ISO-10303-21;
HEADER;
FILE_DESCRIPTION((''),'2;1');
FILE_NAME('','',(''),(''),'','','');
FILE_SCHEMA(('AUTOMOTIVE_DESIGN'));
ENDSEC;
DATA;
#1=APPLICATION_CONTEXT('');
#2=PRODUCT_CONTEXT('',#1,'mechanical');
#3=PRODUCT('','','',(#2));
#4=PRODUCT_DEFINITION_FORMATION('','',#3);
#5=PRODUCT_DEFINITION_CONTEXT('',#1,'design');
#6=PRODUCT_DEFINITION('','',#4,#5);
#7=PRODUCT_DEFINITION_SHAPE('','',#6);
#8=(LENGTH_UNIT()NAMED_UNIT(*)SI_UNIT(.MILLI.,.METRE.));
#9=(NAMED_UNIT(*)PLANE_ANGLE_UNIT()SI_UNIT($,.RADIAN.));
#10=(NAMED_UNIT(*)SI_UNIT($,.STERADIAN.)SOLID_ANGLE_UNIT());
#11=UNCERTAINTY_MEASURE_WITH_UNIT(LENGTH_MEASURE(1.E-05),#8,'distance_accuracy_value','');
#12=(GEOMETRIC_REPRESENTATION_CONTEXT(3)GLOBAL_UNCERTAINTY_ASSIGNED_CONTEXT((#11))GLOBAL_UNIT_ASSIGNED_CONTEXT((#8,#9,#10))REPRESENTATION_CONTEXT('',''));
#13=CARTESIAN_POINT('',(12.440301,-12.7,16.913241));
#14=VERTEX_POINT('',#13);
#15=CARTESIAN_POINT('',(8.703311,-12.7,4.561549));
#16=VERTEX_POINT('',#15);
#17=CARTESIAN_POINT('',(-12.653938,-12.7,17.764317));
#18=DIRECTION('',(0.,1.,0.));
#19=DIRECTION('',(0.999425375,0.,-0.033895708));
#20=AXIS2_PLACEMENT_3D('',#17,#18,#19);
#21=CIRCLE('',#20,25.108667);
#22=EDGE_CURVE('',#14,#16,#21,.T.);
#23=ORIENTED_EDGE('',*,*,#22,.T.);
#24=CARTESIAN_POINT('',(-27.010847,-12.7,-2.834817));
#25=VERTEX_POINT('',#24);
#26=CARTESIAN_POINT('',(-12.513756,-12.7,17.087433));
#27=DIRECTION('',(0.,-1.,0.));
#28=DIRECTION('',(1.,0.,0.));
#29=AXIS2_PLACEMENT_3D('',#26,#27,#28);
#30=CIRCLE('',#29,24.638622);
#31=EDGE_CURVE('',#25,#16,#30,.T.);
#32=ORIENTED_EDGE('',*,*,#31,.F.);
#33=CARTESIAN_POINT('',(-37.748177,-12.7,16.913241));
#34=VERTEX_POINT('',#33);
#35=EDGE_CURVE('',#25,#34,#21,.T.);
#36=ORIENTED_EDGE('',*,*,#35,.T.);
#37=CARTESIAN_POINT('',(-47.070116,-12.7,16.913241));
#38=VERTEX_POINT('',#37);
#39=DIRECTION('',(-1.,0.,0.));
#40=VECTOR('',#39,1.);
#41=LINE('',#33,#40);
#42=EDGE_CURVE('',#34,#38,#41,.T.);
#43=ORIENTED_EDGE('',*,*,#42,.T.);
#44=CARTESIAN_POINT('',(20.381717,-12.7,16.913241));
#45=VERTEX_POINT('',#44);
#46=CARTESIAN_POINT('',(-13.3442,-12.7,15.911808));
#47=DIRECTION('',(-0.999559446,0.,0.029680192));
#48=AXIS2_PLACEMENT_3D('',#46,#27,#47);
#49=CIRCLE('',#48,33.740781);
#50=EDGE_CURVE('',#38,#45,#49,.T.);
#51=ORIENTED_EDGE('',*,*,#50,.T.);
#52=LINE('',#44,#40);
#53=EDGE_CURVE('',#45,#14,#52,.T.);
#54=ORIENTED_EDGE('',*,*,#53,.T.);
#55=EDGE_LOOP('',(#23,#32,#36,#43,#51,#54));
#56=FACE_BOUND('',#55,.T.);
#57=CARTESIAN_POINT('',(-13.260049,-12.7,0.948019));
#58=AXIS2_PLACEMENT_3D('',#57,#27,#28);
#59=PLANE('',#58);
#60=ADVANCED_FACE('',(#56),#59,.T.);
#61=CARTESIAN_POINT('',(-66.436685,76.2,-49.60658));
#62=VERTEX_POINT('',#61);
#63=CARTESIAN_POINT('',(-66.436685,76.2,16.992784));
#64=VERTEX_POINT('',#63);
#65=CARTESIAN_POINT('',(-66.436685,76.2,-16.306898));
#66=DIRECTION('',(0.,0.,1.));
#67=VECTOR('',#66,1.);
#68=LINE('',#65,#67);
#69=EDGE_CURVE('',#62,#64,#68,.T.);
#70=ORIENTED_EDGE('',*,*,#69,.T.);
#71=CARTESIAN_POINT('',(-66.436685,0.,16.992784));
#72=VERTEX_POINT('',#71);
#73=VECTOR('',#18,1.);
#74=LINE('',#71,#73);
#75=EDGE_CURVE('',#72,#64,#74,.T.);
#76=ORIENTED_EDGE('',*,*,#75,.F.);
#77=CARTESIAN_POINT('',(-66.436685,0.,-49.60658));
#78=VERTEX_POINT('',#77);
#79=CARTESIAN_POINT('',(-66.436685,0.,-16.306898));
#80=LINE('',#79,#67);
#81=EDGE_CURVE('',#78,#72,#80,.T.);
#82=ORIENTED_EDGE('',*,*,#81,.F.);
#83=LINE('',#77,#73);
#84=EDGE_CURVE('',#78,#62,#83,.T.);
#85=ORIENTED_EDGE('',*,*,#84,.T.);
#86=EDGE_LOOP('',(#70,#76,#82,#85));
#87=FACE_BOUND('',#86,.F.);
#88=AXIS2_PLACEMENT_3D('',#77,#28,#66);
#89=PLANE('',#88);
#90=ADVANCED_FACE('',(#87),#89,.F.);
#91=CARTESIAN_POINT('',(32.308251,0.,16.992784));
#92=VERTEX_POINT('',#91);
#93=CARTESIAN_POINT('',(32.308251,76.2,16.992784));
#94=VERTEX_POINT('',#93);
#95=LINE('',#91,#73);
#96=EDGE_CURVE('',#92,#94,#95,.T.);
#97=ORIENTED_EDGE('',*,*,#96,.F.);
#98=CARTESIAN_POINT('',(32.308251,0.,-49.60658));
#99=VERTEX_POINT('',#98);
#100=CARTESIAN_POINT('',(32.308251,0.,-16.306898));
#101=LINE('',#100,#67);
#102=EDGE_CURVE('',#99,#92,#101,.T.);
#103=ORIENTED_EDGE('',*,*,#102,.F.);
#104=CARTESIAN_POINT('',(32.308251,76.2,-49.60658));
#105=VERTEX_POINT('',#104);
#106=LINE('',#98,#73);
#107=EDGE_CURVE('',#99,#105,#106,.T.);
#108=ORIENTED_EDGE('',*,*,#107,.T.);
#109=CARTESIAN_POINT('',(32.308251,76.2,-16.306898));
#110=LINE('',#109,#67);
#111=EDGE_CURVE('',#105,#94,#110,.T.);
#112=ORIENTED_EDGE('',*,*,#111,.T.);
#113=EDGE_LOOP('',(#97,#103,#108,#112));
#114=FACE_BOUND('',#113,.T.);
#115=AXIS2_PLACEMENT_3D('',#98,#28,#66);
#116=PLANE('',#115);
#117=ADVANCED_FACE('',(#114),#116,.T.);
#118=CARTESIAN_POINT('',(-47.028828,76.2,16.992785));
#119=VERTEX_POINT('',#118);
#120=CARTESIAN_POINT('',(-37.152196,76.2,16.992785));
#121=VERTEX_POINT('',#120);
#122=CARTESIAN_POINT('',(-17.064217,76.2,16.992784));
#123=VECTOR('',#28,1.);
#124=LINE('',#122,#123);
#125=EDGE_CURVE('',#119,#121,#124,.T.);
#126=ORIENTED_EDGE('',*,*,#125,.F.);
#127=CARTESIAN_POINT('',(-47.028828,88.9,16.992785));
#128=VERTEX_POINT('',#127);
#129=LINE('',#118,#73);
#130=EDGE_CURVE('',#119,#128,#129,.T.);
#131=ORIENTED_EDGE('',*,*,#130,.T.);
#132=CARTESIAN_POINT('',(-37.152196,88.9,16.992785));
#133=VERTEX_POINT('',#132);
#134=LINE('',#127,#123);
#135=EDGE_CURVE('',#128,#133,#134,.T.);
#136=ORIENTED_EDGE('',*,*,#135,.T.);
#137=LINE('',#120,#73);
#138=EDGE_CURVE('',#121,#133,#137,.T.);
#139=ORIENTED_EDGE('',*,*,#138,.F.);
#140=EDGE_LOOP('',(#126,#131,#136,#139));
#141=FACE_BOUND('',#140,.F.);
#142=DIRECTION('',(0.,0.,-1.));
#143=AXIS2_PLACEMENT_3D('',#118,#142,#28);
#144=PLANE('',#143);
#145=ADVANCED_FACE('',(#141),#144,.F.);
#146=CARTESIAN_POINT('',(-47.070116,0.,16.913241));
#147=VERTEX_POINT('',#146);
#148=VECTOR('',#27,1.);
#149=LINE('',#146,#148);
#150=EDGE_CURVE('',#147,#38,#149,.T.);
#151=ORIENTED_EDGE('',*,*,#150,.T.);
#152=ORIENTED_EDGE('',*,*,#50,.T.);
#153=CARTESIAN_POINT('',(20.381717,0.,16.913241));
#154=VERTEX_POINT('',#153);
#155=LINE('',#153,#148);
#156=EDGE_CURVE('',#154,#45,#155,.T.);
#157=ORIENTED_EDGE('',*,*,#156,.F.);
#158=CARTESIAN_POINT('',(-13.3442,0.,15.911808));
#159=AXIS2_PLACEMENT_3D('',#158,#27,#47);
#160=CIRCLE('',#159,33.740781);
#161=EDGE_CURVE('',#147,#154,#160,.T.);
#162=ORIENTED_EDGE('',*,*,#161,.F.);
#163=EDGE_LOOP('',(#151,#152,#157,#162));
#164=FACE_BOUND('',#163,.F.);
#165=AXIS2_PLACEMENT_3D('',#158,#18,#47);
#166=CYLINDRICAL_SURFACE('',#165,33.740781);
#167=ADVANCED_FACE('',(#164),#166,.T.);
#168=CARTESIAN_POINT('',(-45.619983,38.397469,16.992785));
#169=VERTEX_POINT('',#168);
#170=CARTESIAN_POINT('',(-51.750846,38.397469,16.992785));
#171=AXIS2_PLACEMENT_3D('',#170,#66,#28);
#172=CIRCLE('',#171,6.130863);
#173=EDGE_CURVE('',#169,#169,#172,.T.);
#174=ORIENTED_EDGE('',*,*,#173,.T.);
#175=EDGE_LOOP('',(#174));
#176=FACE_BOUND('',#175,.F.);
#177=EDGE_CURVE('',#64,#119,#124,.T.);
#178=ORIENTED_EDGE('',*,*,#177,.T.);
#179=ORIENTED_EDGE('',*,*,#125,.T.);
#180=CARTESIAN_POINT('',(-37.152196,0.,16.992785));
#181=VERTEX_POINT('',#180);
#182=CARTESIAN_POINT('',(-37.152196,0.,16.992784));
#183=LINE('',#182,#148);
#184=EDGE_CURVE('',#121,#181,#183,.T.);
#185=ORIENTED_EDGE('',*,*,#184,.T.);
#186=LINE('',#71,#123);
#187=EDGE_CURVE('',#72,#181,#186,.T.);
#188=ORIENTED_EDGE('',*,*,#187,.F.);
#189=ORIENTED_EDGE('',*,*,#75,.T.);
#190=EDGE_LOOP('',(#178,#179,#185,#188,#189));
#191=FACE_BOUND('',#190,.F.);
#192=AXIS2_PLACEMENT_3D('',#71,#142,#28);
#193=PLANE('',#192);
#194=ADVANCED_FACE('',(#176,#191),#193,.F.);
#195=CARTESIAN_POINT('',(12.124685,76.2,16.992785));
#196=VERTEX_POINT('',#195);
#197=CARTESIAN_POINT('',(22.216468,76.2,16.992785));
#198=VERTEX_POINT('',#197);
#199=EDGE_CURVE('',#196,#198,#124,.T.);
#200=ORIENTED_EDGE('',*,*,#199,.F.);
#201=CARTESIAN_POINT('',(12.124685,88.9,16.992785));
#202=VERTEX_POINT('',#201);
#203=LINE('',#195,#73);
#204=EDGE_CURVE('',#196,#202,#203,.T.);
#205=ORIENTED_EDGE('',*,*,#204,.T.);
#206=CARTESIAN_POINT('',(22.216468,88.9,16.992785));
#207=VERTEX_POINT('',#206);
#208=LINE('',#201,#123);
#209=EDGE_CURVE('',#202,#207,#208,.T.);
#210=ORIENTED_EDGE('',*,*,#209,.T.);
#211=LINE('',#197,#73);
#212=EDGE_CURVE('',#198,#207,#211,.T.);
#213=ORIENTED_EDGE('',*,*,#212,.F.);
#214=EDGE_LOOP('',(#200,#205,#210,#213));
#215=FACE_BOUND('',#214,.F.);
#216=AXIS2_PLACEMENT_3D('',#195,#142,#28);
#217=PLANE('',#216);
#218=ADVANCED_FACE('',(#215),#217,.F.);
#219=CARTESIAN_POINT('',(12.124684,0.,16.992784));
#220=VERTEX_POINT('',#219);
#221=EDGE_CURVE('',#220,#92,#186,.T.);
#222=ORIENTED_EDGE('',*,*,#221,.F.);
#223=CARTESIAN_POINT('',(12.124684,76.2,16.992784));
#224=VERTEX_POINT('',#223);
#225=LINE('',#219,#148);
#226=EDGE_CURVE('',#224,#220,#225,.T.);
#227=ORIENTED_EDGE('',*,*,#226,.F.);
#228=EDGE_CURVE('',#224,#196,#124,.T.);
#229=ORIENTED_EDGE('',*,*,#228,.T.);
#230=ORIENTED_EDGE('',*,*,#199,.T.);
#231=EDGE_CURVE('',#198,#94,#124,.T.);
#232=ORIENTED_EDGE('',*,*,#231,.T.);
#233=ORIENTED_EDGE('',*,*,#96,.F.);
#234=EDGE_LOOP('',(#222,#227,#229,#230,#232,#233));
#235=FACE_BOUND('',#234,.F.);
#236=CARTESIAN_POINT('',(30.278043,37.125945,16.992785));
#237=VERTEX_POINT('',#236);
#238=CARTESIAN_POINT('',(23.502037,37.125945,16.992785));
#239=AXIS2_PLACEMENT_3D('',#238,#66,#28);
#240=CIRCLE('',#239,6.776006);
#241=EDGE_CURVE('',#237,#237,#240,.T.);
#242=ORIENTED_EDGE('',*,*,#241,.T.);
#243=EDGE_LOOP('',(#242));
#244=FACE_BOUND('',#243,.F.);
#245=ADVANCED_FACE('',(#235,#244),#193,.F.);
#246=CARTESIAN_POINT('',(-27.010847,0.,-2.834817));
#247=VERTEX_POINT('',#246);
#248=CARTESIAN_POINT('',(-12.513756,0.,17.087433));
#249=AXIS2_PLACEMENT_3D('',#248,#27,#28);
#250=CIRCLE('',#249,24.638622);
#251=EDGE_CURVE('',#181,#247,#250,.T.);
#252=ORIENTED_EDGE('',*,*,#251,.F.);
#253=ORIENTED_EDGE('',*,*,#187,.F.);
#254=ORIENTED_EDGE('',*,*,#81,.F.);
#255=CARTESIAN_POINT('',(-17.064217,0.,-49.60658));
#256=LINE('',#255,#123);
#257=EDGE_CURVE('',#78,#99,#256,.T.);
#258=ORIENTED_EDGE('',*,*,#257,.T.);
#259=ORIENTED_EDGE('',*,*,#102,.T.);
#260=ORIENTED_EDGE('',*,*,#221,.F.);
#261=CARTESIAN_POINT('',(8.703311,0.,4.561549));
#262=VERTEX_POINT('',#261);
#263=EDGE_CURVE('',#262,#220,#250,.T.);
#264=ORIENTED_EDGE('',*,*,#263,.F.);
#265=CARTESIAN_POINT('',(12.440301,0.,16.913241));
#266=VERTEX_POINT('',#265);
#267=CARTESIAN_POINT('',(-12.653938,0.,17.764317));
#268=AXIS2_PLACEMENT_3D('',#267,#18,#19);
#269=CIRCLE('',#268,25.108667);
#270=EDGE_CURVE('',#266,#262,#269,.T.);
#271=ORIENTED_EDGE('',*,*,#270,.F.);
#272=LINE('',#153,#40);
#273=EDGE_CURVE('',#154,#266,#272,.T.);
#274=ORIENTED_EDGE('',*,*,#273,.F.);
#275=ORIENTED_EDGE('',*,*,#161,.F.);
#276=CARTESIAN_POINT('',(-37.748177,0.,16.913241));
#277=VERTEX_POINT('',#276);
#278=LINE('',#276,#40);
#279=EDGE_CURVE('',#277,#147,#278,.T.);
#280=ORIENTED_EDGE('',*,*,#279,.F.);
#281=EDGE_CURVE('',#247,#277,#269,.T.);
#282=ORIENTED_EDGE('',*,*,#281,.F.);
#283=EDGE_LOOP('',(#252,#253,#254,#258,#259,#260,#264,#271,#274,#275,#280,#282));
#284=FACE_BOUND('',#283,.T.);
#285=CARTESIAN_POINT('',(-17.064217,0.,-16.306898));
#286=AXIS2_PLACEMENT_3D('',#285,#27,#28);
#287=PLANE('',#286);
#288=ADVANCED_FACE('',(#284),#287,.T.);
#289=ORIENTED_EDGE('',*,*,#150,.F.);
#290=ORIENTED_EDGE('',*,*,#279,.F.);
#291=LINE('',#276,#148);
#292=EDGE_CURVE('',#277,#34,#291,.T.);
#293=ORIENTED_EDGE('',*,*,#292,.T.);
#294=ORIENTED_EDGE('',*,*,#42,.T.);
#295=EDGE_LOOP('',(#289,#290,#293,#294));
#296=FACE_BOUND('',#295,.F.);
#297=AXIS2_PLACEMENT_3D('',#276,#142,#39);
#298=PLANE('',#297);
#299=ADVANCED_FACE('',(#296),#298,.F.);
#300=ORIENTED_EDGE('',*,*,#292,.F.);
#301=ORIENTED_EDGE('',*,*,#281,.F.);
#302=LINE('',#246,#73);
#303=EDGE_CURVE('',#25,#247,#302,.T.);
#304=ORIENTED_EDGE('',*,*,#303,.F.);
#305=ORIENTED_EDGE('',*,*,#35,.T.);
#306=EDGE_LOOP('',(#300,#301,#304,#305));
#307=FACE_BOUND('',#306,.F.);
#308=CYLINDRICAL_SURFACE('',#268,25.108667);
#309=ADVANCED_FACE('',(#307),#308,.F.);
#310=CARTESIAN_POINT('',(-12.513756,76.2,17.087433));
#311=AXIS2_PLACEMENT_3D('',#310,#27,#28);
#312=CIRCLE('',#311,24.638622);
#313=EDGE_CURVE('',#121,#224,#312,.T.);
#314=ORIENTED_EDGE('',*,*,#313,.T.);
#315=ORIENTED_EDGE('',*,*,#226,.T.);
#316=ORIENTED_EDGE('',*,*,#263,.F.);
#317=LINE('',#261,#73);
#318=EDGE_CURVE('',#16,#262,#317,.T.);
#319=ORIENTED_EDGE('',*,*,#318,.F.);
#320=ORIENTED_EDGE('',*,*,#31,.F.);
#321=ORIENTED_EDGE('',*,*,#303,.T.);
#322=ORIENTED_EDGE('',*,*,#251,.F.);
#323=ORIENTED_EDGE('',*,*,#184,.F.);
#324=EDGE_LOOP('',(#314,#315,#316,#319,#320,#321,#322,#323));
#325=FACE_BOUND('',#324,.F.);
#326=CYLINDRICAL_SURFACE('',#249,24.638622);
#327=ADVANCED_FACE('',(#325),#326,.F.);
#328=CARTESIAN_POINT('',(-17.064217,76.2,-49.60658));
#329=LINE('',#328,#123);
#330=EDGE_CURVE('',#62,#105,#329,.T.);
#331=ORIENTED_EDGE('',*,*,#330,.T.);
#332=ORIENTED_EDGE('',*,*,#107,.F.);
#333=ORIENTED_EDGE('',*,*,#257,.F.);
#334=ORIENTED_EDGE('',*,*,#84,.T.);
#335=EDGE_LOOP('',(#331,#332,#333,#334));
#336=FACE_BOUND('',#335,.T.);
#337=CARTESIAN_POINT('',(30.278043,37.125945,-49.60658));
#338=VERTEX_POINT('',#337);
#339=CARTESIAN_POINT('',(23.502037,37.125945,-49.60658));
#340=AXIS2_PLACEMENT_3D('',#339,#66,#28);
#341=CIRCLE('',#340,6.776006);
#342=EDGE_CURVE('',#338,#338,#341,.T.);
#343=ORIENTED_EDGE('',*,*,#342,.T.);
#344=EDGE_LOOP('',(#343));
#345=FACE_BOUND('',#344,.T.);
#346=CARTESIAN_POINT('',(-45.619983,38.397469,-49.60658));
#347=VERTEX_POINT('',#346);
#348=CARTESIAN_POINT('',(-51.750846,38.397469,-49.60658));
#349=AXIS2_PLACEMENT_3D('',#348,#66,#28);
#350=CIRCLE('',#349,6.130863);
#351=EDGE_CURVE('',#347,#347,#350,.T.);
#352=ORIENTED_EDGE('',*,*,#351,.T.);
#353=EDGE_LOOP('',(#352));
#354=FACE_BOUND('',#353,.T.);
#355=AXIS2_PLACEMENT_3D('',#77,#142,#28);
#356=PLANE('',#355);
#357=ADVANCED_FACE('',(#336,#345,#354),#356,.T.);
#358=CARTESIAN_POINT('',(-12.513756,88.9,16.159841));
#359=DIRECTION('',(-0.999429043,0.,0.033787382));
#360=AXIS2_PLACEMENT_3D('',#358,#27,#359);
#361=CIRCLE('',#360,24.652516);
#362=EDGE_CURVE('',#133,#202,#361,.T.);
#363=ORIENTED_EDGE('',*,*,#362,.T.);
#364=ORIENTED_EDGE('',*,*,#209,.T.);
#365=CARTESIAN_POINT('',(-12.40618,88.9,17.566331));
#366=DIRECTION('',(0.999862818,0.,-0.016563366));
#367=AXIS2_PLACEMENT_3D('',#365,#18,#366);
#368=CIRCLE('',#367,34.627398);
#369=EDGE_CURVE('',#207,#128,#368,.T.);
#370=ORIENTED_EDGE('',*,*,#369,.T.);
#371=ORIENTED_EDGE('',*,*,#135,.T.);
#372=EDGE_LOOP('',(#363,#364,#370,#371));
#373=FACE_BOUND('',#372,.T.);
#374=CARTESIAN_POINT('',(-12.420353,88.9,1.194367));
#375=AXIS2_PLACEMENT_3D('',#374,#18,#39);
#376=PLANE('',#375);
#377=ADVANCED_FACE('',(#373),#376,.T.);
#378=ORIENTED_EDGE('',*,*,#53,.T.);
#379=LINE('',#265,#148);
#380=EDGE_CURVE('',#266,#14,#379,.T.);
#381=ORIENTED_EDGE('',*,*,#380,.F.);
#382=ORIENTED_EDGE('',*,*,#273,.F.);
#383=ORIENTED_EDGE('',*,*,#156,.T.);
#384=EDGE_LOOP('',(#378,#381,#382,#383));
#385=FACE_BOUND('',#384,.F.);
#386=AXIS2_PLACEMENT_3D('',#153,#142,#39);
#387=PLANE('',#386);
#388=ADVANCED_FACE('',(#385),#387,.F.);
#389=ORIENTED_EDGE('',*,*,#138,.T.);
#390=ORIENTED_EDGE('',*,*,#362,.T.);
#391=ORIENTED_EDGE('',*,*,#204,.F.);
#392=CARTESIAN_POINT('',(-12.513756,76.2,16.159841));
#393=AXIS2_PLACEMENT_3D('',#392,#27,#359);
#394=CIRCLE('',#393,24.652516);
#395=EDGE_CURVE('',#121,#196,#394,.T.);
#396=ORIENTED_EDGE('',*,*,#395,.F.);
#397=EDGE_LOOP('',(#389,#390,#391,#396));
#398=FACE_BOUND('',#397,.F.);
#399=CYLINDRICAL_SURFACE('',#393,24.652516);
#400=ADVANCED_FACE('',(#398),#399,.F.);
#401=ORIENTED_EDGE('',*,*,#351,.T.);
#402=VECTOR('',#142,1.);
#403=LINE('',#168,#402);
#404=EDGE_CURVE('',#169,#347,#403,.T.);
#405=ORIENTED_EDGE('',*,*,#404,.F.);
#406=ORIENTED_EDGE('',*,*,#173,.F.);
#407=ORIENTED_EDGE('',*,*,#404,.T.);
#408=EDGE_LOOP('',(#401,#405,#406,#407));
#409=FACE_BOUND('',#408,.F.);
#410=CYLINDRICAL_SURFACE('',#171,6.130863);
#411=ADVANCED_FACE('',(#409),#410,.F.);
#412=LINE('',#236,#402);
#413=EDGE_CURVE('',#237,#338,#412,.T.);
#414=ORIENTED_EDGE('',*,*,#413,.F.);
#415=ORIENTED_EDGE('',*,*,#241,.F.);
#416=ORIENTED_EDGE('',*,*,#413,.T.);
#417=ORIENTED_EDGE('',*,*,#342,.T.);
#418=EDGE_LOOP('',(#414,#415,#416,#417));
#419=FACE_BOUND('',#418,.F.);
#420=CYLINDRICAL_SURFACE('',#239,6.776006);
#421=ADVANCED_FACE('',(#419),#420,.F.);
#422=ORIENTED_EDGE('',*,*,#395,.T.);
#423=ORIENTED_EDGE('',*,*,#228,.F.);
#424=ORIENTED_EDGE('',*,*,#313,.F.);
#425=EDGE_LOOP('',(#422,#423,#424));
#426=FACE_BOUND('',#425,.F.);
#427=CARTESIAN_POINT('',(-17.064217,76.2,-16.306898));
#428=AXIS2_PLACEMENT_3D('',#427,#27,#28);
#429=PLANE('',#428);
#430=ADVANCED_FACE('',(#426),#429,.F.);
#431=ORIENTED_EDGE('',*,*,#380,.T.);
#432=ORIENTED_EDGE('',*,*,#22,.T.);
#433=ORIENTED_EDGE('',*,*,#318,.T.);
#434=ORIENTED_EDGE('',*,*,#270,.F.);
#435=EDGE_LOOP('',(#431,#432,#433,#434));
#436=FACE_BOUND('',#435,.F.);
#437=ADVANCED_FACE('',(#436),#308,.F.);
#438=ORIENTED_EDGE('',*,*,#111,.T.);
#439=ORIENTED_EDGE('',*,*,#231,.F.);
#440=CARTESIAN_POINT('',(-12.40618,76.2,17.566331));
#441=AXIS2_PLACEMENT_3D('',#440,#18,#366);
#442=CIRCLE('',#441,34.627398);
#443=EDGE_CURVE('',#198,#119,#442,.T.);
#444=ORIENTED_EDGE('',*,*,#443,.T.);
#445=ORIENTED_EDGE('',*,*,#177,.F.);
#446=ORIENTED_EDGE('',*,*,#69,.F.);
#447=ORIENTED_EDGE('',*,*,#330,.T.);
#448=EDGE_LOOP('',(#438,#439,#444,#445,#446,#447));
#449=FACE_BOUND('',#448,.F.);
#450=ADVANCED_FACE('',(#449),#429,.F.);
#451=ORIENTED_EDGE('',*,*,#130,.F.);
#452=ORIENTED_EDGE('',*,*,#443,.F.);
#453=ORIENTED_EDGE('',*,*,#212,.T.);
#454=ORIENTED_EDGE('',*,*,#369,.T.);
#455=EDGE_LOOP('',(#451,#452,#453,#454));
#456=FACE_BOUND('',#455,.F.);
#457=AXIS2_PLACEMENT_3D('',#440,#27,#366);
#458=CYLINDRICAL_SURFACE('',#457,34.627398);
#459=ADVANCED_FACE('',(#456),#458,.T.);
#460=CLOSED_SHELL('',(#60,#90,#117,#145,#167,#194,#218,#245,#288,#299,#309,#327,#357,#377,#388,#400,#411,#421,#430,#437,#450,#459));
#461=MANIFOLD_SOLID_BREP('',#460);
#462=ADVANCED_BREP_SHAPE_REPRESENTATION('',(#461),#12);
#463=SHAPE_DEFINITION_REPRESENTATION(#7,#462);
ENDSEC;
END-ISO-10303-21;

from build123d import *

# Parameters (mm, degrees)
F0_W          = 98.744937
F0_H          = 66.599365
F1_DEPTH      = 76.2
F4_DEPTH      = 12.7
F5_R          = 24.638622
F6_DEPTH      = 12.7
F6_DEPTH_BACK = 88.9
F7_R          = 6.776006
F7_R_2        = 6.130863
F8_DEPTH      = 66.600365
F10_DEPTH     = 12.7


with BuildPart() as f1:
    # F0 (on Front) → F1 (new body)
    with BuildSketch(Plane.XZ):
        with Locations((-17.064217, -16.306898)):
            Rectangle(F0_W, F0_H)
    extrude(amount=-F1_DEPTH)

    # F3 (on face) → F4 (join)
    with BuildSketch(Plane.XZ):
        with BuildLine():
            ThreePointArc((12.440301, 16.913241), (-12.653938, -7.34435), (-37.748177, 16.913241))
            Line((-37.748177, 16.913241), (-47.070116, 16.913241))
            ThreePointArc((-47.070116, 16.913241), (-13.344199, -17.828973), (20.381717, 16.913241))
            Line((20.381717, 16.913241), (12.440301, 16.913241))
        make_face()
    extrude(amount=F4_DEPTH)

    # F5 (on Front) → F6 (cut, two sides)
    with BuildSketch(Plane.XZ) as f6_sk:
        with Locations((-12.513756, 17.087433)):
            Circle(F5_R)
    extrude(amount=F6_DEPTH, mode=Mode.SUBTRACT)
    extrude(f6_sk.sketch, amount=-F6_DEPTH_BACK, mode=Mode.SUBTRACT)

    # F7 (on face) → F8 (cut, through all)
    with BuildSketch(Plane.XY.offset(16.992785)):
        with Locations((23.502037, 37.125945)):
            Circle(F7_R)
        with Locations((-51.750846, 38.397469)):
            Circle(F7_R_2)
    extrude(amount=-F8_DEPTH, mode=Mode.SUBTRACT)

    # F9 (on face) → F10 (join)
    with BuildSketch(Plane(origin=(0, 76.2, 0), x_dir=(-1, 0, 0), z_dir=(0, 1, 0))):
        with BuildLine():
            ThreePointArc((37.152196, 16.992785), (12.513756, -8.492675), (-12.124685, 16.992785))
            Line((-12.124685, 16.992785), (-22.216468, 16.992785))
            ThreePointArc((-22.216468, 16.992785), (12.40618, -17.061067), (47.028828, 16.992785))
            Line((47.028828, 16.992785), (37.152196, 16.992785))
        make_face()
    extrude(amount=F10_DEPTH)


solid = f1.part
